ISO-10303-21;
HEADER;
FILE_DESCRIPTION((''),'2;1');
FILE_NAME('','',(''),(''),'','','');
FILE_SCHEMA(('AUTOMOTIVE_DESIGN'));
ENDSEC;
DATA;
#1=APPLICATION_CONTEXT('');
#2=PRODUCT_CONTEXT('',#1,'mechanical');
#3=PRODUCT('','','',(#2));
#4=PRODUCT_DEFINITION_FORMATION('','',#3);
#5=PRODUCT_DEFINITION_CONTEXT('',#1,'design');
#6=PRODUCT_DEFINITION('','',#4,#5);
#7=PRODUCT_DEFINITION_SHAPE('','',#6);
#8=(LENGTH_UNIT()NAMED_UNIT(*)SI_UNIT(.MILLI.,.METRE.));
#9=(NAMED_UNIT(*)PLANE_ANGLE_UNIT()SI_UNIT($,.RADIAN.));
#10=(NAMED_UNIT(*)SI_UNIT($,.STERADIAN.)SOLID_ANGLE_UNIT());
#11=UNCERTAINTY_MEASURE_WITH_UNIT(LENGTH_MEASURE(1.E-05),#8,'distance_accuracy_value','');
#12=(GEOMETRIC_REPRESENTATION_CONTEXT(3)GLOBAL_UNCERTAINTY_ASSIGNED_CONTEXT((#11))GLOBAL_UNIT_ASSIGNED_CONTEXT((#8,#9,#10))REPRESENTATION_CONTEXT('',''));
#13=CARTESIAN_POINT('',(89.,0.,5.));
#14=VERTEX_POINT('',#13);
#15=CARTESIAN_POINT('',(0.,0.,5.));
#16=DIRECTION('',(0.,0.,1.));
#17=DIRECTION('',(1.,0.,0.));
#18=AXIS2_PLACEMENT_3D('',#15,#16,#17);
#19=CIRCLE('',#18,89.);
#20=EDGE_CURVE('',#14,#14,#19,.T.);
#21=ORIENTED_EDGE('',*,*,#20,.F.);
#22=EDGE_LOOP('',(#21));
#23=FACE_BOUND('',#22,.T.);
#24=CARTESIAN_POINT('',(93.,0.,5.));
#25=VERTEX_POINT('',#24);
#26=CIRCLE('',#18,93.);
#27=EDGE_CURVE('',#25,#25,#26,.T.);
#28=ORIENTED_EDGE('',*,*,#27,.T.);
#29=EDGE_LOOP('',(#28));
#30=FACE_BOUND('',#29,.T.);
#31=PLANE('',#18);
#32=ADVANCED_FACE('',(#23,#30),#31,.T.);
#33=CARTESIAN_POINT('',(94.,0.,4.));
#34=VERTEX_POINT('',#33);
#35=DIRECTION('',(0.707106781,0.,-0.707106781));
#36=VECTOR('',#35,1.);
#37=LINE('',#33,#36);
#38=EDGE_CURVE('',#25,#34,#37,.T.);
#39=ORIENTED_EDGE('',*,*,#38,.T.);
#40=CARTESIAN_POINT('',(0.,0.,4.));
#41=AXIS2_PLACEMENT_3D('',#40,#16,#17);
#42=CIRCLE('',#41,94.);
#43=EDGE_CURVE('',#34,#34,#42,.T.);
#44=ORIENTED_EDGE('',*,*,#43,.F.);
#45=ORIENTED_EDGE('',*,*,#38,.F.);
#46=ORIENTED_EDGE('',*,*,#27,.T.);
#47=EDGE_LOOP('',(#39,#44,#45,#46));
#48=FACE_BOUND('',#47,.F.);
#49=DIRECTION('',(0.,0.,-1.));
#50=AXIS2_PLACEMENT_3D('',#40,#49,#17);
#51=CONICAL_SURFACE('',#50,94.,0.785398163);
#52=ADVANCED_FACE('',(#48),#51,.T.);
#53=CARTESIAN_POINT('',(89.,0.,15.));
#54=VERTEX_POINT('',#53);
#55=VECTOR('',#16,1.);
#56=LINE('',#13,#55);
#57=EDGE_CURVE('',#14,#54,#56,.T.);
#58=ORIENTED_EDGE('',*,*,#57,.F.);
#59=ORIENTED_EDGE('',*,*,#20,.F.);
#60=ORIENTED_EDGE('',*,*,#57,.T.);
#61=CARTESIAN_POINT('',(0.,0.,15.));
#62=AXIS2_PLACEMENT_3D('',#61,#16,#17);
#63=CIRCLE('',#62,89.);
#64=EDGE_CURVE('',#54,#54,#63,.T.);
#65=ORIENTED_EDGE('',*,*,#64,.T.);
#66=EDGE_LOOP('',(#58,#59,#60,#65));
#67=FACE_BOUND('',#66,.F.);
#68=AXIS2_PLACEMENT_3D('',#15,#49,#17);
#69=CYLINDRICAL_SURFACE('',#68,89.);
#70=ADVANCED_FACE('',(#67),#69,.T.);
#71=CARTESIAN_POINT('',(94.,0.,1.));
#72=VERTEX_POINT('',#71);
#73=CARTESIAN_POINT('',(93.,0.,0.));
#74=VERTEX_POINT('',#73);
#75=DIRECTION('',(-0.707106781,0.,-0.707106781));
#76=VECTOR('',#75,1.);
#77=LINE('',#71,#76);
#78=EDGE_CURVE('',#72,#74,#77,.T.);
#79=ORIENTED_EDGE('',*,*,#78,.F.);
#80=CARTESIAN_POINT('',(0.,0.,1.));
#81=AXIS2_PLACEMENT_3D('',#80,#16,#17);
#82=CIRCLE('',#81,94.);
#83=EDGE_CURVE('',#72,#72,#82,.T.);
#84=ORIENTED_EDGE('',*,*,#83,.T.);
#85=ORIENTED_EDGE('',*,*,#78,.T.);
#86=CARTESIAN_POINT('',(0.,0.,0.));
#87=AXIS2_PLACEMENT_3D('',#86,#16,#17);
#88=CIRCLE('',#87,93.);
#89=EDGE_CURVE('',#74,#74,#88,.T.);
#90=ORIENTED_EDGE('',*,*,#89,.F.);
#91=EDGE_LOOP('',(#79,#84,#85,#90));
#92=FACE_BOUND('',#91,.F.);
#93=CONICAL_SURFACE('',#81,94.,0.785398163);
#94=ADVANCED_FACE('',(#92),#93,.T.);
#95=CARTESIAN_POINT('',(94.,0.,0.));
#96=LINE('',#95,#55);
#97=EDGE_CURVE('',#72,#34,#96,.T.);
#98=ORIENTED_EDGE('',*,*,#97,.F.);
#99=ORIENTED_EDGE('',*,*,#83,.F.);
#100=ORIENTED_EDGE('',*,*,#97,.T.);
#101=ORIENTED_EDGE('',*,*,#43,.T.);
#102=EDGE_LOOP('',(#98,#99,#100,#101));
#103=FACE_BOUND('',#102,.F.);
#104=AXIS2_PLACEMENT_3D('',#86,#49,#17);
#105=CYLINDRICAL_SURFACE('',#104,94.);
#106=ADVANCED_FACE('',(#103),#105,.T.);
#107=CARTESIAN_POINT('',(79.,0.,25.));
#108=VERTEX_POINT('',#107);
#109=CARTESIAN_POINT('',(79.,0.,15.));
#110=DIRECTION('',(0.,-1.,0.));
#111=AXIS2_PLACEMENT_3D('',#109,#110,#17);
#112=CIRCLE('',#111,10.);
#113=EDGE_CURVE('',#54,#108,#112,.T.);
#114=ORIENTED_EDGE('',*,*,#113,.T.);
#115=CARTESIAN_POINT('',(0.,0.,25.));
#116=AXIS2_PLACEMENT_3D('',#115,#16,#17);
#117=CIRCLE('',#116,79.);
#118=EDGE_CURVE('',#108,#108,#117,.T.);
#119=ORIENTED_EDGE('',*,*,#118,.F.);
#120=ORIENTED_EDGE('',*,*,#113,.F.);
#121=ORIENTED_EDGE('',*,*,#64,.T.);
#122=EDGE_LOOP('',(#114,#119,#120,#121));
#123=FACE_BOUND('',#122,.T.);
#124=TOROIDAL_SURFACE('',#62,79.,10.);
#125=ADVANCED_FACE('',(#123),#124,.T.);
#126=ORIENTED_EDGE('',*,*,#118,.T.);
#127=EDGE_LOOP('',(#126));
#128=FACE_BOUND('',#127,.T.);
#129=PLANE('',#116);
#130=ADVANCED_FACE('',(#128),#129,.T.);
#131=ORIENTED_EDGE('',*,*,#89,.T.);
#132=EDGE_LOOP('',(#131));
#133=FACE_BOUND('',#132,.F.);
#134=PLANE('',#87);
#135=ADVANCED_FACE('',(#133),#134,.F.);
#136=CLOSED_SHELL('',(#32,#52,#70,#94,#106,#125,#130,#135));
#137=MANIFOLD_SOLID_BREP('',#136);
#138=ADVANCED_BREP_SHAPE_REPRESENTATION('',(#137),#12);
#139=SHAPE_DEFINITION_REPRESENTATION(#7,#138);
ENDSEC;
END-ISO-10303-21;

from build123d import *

# Parameters (mm, degrees)
SKETCH_R     = 94
PAD_DEPTH    = 5
SKETCH001_R  = 89
PAD001_DEPTH = 20
FILLET_R     = 10
CHAMFER_SIZE = 1


with BuildPart() as part:
    # Sketch → Pad (new body)
    with BuildSketch(Plane.XY):
        Circle(SKETCH_R)
    extrude(amount=PAD_DEPTH)

    # Sketch001 → Pad001 (new body)
    with BuildSketch(Plane.XY.offset(5)):
        Circle(SKETCH001_R)
    extrude(amount=PAD001_DEPTH)

    # Fillet
    fillet_edges = [part.edges().sort_by_distance(p)[0] for p in [
        (-89, 0, 25),
    ]]
    fillet(fillet_edges, radius=FILLET_R)

    # Chamfer
    chamfer_edges = [part.edges().sort_by_distance(p)[0] for p in [
        (-94, 0, 0),
        (-94, 0, 5),
    ]]
    chamfer(chamfer_edges, length=CHAMFER_SIZE)


solid = part.part
